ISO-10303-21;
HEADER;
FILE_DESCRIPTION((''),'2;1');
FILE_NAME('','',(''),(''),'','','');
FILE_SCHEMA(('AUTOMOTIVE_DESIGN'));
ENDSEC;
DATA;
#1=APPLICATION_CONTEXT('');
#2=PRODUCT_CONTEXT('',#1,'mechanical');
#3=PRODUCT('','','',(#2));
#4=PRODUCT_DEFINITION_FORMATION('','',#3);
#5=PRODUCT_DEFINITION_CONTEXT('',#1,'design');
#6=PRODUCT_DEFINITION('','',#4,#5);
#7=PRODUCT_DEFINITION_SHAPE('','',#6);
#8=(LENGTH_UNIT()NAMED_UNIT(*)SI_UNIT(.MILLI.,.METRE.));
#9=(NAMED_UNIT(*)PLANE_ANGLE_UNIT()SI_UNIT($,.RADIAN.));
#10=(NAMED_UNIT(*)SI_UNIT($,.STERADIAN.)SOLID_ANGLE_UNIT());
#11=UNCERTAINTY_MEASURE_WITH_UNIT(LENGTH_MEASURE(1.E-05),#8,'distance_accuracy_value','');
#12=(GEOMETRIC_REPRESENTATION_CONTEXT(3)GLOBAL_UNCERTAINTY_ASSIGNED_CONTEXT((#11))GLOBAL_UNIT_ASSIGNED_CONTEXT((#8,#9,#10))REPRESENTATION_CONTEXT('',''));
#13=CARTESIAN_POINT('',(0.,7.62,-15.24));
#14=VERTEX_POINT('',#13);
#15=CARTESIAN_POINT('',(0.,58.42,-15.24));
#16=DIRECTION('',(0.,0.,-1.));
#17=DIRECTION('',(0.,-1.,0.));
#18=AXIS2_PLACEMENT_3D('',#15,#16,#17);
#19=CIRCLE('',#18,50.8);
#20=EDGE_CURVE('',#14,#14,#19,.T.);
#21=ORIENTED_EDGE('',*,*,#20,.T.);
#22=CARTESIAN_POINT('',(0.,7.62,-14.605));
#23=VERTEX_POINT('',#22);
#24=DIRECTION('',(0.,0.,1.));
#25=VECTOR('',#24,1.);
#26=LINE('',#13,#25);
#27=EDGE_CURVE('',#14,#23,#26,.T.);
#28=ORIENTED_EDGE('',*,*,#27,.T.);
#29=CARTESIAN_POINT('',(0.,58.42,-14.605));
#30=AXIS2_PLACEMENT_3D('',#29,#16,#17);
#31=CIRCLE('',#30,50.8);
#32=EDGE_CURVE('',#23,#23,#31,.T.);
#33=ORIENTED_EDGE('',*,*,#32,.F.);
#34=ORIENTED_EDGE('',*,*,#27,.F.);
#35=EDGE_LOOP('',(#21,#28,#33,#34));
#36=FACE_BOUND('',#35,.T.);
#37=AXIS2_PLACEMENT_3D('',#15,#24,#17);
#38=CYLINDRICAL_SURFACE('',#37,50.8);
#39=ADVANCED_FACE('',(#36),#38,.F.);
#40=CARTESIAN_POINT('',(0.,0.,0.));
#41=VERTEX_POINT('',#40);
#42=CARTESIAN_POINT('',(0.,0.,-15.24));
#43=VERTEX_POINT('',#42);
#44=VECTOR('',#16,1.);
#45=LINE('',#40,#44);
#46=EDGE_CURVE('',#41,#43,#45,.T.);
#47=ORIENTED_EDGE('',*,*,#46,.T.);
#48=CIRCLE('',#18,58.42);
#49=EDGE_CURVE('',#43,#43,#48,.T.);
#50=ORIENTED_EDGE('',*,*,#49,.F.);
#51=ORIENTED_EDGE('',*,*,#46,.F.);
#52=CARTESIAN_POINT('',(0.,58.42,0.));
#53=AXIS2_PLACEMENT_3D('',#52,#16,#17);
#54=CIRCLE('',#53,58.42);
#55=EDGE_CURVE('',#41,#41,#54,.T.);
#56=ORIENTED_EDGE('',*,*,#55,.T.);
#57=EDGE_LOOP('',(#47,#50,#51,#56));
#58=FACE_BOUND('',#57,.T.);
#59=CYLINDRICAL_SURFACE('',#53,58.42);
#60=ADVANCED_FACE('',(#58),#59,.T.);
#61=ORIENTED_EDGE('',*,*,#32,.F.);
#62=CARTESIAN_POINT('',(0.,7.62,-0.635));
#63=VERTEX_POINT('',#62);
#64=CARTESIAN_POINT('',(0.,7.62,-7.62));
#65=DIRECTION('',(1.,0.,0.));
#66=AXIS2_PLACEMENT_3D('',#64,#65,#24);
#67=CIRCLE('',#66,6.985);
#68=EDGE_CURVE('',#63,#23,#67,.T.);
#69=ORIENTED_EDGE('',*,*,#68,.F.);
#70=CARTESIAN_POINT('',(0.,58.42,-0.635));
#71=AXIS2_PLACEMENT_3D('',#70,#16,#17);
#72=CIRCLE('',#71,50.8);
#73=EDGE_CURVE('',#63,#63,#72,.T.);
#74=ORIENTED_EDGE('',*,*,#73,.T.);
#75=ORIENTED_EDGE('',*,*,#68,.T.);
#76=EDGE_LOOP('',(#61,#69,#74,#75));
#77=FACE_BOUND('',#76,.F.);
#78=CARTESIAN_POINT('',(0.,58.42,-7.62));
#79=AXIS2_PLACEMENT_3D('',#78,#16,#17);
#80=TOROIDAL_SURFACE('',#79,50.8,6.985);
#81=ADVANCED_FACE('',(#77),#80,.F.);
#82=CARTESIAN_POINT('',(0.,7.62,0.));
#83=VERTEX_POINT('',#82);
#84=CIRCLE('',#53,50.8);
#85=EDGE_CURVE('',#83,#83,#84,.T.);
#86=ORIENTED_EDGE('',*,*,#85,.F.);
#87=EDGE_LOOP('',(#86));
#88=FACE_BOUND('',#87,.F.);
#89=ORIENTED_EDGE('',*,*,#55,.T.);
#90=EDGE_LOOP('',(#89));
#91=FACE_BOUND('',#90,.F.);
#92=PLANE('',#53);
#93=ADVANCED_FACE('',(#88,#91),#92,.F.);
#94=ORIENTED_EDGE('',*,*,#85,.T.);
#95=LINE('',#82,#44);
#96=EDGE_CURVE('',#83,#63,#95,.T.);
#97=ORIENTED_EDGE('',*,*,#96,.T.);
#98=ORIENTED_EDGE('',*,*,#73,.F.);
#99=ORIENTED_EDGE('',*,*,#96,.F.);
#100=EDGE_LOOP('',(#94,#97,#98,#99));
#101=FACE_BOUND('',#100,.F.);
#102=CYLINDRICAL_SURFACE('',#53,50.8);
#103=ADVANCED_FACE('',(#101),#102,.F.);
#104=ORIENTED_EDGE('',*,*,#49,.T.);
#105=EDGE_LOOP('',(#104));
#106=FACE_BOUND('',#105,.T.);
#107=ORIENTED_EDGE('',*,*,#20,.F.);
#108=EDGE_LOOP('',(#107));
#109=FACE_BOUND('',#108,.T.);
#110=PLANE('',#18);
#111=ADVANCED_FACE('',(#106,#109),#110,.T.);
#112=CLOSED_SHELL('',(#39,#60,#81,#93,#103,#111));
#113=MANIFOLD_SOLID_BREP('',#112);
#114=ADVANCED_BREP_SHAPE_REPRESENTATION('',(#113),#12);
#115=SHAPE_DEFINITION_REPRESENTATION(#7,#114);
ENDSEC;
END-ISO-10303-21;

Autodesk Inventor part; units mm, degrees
ref_plane "YZ Plane" through (0, 0, 0) normal (1, 0, 0) x (0, 1, 0)
ref_plane "XZ Plane" through (0, 0, 0) normal (0, 1, 0) x (-1, 0, 0)
ref_plane "XY Plane" through (0, 0, 0) normal (0, 0, 1) x (1, 0, 0)
sketch "Sketch1" plane through (0, 0, 0) normal (1, 0, 0) x (0, 1, 0)
  line L0 (0, 0) -> (0, -15.24)
  line L1 (0, -15.24) -> (7.62, -15.24)
  line L2 (0, 0) -> (7.62, 0)
  line L3 (7.62, 0) -> (7.62, -0.635)
  line L4 (7.62, -15.24) -> (7.62, -14.605)
  arc A0 (7.62, -0.635) -> (7.62, -14.605) centre (7.62, -7.62) ccw
  circle A1 centre (7.62, -7.62) radius 6.35 construction
  line L5 (0, 0) -> (-10.16, 0) construction
  line L6 (-10.16, 0) -> (-10.16, -15.24) construction
  line L7 (7.62, 0) -> (58.42, 0) construction
  line L8 (58.42, 0) -> (58.42, -15.24) construction
  dimension "d0" = 15.24
  dimension "d1" = 7.62
  dimension "d3" = 7.62
  dimension "d5" = 6.985
  dimension "d6" = 12.7
  dimension "d7" = 10.16
  dimension "d9" = 50.8
revolve "Revolution2" add sketch "Sketch1" angle 360 about axis through (0, 58.42, 0) along (0, 0, -1)
